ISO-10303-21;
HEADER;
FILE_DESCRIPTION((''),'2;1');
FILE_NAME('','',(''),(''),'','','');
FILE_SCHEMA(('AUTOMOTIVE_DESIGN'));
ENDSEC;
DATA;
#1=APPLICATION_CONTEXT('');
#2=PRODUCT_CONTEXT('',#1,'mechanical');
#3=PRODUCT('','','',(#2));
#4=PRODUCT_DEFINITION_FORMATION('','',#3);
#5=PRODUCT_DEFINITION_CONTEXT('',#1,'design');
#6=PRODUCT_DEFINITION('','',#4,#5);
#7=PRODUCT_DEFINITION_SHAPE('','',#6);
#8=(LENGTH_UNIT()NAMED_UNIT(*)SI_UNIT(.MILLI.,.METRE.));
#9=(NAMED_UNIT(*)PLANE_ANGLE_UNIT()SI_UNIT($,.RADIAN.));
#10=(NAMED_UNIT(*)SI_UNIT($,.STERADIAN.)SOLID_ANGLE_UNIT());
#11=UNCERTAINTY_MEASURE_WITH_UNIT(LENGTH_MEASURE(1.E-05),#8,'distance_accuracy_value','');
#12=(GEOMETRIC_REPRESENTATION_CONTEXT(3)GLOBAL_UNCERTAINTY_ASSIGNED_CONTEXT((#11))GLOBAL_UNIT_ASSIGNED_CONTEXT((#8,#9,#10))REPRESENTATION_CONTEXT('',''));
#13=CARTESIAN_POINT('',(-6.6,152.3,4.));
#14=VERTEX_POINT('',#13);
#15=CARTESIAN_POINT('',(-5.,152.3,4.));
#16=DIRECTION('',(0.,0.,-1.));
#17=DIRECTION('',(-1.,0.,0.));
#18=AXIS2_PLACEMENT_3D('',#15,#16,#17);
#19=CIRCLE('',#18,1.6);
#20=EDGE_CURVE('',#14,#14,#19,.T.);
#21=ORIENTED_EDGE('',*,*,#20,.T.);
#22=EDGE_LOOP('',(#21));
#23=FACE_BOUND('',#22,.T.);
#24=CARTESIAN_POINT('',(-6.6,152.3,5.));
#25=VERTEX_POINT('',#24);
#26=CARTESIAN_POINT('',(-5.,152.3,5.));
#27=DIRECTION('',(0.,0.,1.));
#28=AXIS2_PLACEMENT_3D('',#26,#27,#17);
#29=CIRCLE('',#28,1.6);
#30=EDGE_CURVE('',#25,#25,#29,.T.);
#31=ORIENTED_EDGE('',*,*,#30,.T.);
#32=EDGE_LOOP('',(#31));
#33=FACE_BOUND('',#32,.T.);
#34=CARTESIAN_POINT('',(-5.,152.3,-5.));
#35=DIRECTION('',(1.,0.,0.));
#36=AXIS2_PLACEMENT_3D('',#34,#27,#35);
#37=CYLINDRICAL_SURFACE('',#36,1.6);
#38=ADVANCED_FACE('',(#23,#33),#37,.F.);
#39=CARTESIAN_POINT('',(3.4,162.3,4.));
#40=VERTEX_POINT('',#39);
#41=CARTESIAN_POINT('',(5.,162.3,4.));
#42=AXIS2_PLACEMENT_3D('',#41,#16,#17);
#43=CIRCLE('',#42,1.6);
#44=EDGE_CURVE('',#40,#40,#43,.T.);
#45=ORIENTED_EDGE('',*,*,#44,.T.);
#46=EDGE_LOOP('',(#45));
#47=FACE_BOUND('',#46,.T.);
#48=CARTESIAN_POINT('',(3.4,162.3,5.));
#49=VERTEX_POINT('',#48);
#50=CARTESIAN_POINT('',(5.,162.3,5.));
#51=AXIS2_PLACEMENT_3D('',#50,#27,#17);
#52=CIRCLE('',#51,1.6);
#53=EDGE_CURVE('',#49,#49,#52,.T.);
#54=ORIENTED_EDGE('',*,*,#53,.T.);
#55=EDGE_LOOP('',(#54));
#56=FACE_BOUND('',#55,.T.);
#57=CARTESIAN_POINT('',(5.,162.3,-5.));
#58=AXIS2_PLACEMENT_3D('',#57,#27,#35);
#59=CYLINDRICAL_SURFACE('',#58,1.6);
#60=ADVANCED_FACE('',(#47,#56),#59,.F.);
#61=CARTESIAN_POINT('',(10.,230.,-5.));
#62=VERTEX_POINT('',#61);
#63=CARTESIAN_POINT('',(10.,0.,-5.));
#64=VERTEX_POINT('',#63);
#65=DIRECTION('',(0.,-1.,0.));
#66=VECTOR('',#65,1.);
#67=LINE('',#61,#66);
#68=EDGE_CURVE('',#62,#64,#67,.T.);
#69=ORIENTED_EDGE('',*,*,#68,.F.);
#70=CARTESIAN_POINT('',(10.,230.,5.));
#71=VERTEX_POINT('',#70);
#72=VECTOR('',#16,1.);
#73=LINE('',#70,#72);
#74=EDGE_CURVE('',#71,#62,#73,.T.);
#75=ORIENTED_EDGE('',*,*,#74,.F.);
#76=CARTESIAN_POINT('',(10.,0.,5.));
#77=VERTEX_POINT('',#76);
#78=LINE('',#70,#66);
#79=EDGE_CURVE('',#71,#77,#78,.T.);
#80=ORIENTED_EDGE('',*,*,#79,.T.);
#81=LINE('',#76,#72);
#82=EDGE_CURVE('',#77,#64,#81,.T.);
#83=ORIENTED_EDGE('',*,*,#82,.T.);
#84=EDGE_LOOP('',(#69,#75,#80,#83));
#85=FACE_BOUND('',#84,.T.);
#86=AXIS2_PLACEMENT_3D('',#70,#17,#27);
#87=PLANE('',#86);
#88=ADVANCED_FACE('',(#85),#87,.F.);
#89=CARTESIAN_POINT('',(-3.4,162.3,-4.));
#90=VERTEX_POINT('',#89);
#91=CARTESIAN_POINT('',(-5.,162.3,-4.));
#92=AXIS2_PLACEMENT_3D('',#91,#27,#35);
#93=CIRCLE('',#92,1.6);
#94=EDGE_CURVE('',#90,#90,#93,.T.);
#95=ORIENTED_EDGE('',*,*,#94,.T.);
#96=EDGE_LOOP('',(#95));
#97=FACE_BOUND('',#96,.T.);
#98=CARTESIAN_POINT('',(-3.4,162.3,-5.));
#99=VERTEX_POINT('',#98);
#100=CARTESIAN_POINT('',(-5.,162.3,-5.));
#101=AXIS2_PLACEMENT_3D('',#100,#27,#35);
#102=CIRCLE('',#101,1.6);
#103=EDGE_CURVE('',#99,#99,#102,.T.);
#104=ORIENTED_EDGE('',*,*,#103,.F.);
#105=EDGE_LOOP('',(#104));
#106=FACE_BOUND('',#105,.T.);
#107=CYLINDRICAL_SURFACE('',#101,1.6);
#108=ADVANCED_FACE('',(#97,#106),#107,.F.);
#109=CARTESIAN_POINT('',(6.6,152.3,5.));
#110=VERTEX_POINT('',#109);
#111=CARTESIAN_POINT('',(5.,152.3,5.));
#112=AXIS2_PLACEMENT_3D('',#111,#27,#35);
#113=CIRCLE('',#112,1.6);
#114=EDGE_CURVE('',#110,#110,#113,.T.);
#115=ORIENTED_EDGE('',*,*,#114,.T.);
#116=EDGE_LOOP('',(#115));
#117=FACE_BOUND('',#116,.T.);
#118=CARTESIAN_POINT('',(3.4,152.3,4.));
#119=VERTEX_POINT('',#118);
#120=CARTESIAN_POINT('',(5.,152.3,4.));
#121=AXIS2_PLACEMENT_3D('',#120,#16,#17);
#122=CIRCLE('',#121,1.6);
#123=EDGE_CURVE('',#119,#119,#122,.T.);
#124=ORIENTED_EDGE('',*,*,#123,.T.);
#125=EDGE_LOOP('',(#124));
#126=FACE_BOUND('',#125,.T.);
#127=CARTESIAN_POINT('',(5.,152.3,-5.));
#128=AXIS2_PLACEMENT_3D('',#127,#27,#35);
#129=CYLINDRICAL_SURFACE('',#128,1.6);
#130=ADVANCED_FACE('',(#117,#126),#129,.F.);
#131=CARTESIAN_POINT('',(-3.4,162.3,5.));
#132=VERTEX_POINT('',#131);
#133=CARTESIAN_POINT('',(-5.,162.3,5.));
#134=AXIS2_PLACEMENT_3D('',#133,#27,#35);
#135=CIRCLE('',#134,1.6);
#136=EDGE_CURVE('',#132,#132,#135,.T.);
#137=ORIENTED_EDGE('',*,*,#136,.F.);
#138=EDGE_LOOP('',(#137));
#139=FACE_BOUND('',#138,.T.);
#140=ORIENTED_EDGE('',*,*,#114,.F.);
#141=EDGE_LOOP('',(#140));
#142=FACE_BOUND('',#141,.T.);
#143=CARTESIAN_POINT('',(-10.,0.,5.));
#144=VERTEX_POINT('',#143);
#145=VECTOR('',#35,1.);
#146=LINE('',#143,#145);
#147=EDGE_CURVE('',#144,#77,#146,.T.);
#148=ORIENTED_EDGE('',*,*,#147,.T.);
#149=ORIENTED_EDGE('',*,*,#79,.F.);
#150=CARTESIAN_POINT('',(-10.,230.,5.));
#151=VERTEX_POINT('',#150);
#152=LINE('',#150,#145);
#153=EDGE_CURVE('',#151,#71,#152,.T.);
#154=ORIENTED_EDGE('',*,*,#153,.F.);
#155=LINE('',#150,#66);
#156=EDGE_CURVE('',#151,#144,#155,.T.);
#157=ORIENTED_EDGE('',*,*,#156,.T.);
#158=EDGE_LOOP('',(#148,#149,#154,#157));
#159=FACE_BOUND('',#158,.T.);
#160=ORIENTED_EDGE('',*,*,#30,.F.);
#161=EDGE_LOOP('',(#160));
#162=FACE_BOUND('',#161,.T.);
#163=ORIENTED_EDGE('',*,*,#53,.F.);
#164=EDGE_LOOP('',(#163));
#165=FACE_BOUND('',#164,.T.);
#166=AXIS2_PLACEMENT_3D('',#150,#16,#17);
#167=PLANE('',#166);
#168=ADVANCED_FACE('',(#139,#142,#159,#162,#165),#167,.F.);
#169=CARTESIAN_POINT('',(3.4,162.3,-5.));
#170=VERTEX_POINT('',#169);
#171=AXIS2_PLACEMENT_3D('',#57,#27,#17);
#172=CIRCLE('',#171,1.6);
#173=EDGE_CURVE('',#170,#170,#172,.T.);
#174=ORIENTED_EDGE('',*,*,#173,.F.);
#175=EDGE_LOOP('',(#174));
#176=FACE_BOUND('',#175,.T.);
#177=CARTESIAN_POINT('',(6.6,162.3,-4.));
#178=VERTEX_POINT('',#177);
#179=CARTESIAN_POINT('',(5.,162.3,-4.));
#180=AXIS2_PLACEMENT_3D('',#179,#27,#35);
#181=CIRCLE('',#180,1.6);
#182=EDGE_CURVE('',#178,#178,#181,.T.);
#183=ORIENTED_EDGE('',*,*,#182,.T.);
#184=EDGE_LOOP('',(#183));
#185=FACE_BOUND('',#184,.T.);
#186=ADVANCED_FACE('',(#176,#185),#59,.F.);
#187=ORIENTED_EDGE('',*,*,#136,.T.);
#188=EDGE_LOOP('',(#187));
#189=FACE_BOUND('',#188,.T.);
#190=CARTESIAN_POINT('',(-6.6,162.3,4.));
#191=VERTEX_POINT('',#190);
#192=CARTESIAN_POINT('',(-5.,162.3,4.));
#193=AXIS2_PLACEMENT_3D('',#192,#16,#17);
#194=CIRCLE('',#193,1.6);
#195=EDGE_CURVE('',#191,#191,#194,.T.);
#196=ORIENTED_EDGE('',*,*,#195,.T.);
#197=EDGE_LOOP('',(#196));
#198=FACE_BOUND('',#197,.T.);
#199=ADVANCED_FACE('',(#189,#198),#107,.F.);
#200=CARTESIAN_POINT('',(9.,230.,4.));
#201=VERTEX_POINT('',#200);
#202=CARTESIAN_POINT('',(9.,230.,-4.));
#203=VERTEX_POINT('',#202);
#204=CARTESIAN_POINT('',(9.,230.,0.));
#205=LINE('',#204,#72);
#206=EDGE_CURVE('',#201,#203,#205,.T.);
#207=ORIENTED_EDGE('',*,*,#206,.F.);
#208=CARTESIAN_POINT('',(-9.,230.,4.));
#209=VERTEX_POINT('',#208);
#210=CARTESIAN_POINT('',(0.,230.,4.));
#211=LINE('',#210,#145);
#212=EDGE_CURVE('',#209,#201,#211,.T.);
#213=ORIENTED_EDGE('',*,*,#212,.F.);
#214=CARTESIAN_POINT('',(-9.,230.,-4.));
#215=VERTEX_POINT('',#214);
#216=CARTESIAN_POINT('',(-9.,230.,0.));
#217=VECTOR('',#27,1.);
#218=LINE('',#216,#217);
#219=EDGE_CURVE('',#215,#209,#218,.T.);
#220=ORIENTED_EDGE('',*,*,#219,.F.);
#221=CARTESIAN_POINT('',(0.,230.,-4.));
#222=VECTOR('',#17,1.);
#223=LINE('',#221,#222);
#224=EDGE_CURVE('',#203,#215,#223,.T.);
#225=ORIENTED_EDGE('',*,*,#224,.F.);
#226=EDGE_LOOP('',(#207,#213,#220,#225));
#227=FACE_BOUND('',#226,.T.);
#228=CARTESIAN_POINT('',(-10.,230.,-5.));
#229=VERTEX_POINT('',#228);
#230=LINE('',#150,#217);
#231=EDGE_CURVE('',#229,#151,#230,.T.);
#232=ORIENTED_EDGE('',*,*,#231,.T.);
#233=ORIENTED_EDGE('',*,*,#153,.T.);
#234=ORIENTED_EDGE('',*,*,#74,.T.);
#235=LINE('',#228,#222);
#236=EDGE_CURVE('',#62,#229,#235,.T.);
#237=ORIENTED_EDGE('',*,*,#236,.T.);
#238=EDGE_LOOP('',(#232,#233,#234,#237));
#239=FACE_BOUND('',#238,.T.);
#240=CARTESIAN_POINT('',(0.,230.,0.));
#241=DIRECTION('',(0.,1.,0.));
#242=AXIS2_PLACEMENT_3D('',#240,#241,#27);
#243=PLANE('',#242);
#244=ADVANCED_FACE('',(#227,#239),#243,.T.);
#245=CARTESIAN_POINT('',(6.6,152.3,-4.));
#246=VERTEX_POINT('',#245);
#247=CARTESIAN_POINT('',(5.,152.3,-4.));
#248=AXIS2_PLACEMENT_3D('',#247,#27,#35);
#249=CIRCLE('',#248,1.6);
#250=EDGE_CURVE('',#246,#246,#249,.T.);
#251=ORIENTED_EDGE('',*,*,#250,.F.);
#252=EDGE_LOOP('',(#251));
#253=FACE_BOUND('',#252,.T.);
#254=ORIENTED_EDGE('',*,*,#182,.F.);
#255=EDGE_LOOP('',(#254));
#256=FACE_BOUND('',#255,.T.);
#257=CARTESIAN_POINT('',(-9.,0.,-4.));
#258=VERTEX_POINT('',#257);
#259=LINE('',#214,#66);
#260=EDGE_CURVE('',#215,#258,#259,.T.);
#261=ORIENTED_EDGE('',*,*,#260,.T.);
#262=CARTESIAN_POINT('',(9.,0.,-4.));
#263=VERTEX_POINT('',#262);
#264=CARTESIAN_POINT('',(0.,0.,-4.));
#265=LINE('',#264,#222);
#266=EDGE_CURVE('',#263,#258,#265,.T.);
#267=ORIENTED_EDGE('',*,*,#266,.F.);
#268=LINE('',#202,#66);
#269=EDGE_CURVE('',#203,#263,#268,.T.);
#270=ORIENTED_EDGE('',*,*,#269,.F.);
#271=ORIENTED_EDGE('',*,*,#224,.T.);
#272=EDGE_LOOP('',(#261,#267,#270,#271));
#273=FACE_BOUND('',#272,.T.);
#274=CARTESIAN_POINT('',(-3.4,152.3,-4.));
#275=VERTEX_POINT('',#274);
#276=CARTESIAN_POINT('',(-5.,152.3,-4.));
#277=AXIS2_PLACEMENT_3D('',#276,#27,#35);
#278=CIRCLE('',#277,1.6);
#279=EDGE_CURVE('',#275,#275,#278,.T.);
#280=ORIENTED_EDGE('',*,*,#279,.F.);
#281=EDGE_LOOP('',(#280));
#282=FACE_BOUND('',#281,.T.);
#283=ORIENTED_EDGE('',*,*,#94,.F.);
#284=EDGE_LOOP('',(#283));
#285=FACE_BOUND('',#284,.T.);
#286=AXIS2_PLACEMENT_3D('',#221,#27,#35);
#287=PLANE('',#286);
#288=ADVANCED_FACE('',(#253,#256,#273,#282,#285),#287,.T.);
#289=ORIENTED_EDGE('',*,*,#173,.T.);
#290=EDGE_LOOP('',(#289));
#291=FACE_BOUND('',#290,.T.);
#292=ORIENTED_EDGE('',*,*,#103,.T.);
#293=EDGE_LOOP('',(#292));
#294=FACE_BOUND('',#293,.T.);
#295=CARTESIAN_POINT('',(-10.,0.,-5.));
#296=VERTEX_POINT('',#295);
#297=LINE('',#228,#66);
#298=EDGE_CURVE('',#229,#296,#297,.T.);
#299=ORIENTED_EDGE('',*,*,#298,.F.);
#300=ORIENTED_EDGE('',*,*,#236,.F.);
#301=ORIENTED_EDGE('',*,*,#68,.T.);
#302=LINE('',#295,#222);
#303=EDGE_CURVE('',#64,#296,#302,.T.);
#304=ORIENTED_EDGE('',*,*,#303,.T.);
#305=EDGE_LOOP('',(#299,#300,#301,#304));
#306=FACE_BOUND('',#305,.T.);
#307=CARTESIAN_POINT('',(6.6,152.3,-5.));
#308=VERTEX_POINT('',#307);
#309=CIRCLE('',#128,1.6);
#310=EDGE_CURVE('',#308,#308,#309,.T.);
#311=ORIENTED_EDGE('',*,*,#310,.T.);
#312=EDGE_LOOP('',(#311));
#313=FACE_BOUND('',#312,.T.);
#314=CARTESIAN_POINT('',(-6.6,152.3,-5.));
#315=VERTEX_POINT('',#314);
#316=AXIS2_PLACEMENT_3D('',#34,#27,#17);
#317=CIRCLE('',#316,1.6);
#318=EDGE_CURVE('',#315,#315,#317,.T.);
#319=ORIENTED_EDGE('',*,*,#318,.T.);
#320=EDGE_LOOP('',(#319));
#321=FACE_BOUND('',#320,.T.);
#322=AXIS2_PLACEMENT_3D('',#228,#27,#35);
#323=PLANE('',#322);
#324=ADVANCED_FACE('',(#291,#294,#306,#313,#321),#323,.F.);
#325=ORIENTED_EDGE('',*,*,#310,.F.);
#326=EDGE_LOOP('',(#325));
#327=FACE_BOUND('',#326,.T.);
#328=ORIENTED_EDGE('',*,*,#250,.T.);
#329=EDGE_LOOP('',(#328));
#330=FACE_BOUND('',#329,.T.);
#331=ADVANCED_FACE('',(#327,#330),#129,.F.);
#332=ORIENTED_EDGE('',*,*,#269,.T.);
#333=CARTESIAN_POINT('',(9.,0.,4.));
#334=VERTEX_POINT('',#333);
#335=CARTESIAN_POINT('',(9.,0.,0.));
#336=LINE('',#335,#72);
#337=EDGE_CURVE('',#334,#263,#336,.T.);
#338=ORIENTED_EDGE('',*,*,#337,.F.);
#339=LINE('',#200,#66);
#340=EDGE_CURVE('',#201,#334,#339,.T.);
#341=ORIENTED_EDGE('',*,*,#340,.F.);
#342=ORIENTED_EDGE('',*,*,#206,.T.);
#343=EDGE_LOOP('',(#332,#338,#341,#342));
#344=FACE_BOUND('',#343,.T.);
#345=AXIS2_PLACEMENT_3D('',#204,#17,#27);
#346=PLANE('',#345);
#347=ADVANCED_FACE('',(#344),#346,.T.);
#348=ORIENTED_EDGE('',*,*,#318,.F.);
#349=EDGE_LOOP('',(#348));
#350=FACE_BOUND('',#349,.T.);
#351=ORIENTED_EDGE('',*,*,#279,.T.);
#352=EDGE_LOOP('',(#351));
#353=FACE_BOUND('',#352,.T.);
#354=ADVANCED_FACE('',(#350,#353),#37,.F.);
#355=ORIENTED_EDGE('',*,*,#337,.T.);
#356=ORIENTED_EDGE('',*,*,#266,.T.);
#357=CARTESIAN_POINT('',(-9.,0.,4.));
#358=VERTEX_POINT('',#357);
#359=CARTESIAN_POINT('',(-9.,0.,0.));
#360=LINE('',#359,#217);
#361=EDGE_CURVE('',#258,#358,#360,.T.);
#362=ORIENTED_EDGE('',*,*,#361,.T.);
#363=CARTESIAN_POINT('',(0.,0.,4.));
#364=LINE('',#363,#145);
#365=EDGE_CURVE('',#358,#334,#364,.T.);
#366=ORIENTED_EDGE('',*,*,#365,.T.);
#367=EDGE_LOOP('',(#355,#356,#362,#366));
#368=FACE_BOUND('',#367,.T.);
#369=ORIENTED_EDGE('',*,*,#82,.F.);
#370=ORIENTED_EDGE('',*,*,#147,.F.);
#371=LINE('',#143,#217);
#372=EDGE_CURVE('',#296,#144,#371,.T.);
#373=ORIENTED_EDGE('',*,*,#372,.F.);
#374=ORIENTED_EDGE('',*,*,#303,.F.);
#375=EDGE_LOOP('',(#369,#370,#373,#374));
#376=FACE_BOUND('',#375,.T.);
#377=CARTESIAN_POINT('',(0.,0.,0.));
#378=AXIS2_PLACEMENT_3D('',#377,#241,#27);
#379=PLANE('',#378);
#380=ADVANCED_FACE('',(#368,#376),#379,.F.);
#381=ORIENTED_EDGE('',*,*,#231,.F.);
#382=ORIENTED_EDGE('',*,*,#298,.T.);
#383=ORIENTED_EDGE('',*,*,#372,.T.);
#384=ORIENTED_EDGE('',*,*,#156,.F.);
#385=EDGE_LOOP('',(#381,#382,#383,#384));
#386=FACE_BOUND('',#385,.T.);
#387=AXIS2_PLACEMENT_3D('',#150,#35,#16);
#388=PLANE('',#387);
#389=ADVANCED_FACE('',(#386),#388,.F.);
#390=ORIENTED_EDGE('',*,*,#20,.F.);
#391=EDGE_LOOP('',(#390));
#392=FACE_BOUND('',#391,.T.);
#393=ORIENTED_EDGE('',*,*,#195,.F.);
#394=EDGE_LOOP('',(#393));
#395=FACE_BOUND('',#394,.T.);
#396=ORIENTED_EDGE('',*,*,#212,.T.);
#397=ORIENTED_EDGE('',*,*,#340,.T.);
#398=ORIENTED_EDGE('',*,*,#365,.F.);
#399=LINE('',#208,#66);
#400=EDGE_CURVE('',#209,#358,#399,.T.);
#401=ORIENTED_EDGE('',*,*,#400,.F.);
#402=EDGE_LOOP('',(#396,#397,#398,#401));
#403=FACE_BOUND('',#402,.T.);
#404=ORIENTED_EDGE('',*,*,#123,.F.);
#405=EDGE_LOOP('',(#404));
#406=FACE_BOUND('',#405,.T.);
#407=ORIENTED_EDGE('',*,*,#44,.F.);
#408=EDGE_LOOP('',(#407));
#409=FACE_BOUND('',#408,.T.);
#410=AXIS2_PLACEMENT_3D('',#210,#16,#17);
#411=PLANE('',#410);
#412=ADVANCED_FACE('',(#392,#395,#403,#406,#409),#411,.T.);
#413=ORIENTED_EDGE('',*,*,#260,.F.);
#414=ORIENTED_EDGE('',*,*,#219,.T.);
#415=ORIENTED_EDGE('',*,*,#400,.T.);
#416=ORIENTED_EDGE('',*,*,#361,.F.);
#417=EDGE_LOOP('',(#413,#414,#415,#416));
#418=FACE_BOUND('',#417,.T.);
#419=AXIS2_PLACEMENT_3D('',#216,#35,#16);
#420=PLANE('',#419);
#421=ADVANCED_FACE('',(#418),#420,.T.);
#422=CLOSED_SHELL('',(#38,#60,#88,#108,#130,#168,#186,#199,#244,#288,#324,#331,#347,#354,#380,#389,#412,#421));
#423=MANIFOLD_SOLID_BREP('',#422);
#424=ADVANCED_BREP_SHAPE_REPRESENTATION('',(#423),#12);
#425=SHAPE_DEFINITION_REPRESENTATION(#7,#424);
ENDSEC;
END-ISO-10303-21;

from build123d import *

# Parameters (mm, degrees)
SKETCH_1_W          = 20
SKETCH_1_H          = 10
SKETCH_1_W_2        = 18
SKETCH_1_H_2        = 8
EXTRUDE_1_DEPTH     = 230
SKETCH_3_R          = 1.6
CUT_EXTRUDE_1_DEPTH = 231.434372436


with BuildPart() as part:
    # 草图1 → 拉伸-薄壁1 (new body)
    with BuildSketch(Plane(origin=(0, 0, 0), x_dir=(1, 0, 0), z_dir=(0, 1, 0))):
        Rectangle(SKETCH_1_W, SKETCH_1_H)
        Rectangle(SKETCH_1_W_2, SKETCH_1_H_2, mode=Mode.SUBTRACT)
    extrude(amount=EXTRUDE_1_DEPTH)

    # 草图3 → 切除-拉伸1 (cut, through all)
    with BuildSketch(Plane.XY.offset(5)):
        with Locations((-5, 162.3)):
            Circle(SKETCH_3_R)
        with Locations(Location((-5, 152.3, 0), (0, 0, 180))):
            Circle(SKETCH_3_R)
        with Locations((5, 152.3)):
            Circle(SKETCH_3_R)
        with Locations(Location((5, 162.3, 0), (0, 0, 180))):
            Circle(SKETCH_3_R)
    extrude(amount=-CUT_EXTRUDE_1_DEPTH, mode=Mode.SUBTRACT)


solid = part.part
